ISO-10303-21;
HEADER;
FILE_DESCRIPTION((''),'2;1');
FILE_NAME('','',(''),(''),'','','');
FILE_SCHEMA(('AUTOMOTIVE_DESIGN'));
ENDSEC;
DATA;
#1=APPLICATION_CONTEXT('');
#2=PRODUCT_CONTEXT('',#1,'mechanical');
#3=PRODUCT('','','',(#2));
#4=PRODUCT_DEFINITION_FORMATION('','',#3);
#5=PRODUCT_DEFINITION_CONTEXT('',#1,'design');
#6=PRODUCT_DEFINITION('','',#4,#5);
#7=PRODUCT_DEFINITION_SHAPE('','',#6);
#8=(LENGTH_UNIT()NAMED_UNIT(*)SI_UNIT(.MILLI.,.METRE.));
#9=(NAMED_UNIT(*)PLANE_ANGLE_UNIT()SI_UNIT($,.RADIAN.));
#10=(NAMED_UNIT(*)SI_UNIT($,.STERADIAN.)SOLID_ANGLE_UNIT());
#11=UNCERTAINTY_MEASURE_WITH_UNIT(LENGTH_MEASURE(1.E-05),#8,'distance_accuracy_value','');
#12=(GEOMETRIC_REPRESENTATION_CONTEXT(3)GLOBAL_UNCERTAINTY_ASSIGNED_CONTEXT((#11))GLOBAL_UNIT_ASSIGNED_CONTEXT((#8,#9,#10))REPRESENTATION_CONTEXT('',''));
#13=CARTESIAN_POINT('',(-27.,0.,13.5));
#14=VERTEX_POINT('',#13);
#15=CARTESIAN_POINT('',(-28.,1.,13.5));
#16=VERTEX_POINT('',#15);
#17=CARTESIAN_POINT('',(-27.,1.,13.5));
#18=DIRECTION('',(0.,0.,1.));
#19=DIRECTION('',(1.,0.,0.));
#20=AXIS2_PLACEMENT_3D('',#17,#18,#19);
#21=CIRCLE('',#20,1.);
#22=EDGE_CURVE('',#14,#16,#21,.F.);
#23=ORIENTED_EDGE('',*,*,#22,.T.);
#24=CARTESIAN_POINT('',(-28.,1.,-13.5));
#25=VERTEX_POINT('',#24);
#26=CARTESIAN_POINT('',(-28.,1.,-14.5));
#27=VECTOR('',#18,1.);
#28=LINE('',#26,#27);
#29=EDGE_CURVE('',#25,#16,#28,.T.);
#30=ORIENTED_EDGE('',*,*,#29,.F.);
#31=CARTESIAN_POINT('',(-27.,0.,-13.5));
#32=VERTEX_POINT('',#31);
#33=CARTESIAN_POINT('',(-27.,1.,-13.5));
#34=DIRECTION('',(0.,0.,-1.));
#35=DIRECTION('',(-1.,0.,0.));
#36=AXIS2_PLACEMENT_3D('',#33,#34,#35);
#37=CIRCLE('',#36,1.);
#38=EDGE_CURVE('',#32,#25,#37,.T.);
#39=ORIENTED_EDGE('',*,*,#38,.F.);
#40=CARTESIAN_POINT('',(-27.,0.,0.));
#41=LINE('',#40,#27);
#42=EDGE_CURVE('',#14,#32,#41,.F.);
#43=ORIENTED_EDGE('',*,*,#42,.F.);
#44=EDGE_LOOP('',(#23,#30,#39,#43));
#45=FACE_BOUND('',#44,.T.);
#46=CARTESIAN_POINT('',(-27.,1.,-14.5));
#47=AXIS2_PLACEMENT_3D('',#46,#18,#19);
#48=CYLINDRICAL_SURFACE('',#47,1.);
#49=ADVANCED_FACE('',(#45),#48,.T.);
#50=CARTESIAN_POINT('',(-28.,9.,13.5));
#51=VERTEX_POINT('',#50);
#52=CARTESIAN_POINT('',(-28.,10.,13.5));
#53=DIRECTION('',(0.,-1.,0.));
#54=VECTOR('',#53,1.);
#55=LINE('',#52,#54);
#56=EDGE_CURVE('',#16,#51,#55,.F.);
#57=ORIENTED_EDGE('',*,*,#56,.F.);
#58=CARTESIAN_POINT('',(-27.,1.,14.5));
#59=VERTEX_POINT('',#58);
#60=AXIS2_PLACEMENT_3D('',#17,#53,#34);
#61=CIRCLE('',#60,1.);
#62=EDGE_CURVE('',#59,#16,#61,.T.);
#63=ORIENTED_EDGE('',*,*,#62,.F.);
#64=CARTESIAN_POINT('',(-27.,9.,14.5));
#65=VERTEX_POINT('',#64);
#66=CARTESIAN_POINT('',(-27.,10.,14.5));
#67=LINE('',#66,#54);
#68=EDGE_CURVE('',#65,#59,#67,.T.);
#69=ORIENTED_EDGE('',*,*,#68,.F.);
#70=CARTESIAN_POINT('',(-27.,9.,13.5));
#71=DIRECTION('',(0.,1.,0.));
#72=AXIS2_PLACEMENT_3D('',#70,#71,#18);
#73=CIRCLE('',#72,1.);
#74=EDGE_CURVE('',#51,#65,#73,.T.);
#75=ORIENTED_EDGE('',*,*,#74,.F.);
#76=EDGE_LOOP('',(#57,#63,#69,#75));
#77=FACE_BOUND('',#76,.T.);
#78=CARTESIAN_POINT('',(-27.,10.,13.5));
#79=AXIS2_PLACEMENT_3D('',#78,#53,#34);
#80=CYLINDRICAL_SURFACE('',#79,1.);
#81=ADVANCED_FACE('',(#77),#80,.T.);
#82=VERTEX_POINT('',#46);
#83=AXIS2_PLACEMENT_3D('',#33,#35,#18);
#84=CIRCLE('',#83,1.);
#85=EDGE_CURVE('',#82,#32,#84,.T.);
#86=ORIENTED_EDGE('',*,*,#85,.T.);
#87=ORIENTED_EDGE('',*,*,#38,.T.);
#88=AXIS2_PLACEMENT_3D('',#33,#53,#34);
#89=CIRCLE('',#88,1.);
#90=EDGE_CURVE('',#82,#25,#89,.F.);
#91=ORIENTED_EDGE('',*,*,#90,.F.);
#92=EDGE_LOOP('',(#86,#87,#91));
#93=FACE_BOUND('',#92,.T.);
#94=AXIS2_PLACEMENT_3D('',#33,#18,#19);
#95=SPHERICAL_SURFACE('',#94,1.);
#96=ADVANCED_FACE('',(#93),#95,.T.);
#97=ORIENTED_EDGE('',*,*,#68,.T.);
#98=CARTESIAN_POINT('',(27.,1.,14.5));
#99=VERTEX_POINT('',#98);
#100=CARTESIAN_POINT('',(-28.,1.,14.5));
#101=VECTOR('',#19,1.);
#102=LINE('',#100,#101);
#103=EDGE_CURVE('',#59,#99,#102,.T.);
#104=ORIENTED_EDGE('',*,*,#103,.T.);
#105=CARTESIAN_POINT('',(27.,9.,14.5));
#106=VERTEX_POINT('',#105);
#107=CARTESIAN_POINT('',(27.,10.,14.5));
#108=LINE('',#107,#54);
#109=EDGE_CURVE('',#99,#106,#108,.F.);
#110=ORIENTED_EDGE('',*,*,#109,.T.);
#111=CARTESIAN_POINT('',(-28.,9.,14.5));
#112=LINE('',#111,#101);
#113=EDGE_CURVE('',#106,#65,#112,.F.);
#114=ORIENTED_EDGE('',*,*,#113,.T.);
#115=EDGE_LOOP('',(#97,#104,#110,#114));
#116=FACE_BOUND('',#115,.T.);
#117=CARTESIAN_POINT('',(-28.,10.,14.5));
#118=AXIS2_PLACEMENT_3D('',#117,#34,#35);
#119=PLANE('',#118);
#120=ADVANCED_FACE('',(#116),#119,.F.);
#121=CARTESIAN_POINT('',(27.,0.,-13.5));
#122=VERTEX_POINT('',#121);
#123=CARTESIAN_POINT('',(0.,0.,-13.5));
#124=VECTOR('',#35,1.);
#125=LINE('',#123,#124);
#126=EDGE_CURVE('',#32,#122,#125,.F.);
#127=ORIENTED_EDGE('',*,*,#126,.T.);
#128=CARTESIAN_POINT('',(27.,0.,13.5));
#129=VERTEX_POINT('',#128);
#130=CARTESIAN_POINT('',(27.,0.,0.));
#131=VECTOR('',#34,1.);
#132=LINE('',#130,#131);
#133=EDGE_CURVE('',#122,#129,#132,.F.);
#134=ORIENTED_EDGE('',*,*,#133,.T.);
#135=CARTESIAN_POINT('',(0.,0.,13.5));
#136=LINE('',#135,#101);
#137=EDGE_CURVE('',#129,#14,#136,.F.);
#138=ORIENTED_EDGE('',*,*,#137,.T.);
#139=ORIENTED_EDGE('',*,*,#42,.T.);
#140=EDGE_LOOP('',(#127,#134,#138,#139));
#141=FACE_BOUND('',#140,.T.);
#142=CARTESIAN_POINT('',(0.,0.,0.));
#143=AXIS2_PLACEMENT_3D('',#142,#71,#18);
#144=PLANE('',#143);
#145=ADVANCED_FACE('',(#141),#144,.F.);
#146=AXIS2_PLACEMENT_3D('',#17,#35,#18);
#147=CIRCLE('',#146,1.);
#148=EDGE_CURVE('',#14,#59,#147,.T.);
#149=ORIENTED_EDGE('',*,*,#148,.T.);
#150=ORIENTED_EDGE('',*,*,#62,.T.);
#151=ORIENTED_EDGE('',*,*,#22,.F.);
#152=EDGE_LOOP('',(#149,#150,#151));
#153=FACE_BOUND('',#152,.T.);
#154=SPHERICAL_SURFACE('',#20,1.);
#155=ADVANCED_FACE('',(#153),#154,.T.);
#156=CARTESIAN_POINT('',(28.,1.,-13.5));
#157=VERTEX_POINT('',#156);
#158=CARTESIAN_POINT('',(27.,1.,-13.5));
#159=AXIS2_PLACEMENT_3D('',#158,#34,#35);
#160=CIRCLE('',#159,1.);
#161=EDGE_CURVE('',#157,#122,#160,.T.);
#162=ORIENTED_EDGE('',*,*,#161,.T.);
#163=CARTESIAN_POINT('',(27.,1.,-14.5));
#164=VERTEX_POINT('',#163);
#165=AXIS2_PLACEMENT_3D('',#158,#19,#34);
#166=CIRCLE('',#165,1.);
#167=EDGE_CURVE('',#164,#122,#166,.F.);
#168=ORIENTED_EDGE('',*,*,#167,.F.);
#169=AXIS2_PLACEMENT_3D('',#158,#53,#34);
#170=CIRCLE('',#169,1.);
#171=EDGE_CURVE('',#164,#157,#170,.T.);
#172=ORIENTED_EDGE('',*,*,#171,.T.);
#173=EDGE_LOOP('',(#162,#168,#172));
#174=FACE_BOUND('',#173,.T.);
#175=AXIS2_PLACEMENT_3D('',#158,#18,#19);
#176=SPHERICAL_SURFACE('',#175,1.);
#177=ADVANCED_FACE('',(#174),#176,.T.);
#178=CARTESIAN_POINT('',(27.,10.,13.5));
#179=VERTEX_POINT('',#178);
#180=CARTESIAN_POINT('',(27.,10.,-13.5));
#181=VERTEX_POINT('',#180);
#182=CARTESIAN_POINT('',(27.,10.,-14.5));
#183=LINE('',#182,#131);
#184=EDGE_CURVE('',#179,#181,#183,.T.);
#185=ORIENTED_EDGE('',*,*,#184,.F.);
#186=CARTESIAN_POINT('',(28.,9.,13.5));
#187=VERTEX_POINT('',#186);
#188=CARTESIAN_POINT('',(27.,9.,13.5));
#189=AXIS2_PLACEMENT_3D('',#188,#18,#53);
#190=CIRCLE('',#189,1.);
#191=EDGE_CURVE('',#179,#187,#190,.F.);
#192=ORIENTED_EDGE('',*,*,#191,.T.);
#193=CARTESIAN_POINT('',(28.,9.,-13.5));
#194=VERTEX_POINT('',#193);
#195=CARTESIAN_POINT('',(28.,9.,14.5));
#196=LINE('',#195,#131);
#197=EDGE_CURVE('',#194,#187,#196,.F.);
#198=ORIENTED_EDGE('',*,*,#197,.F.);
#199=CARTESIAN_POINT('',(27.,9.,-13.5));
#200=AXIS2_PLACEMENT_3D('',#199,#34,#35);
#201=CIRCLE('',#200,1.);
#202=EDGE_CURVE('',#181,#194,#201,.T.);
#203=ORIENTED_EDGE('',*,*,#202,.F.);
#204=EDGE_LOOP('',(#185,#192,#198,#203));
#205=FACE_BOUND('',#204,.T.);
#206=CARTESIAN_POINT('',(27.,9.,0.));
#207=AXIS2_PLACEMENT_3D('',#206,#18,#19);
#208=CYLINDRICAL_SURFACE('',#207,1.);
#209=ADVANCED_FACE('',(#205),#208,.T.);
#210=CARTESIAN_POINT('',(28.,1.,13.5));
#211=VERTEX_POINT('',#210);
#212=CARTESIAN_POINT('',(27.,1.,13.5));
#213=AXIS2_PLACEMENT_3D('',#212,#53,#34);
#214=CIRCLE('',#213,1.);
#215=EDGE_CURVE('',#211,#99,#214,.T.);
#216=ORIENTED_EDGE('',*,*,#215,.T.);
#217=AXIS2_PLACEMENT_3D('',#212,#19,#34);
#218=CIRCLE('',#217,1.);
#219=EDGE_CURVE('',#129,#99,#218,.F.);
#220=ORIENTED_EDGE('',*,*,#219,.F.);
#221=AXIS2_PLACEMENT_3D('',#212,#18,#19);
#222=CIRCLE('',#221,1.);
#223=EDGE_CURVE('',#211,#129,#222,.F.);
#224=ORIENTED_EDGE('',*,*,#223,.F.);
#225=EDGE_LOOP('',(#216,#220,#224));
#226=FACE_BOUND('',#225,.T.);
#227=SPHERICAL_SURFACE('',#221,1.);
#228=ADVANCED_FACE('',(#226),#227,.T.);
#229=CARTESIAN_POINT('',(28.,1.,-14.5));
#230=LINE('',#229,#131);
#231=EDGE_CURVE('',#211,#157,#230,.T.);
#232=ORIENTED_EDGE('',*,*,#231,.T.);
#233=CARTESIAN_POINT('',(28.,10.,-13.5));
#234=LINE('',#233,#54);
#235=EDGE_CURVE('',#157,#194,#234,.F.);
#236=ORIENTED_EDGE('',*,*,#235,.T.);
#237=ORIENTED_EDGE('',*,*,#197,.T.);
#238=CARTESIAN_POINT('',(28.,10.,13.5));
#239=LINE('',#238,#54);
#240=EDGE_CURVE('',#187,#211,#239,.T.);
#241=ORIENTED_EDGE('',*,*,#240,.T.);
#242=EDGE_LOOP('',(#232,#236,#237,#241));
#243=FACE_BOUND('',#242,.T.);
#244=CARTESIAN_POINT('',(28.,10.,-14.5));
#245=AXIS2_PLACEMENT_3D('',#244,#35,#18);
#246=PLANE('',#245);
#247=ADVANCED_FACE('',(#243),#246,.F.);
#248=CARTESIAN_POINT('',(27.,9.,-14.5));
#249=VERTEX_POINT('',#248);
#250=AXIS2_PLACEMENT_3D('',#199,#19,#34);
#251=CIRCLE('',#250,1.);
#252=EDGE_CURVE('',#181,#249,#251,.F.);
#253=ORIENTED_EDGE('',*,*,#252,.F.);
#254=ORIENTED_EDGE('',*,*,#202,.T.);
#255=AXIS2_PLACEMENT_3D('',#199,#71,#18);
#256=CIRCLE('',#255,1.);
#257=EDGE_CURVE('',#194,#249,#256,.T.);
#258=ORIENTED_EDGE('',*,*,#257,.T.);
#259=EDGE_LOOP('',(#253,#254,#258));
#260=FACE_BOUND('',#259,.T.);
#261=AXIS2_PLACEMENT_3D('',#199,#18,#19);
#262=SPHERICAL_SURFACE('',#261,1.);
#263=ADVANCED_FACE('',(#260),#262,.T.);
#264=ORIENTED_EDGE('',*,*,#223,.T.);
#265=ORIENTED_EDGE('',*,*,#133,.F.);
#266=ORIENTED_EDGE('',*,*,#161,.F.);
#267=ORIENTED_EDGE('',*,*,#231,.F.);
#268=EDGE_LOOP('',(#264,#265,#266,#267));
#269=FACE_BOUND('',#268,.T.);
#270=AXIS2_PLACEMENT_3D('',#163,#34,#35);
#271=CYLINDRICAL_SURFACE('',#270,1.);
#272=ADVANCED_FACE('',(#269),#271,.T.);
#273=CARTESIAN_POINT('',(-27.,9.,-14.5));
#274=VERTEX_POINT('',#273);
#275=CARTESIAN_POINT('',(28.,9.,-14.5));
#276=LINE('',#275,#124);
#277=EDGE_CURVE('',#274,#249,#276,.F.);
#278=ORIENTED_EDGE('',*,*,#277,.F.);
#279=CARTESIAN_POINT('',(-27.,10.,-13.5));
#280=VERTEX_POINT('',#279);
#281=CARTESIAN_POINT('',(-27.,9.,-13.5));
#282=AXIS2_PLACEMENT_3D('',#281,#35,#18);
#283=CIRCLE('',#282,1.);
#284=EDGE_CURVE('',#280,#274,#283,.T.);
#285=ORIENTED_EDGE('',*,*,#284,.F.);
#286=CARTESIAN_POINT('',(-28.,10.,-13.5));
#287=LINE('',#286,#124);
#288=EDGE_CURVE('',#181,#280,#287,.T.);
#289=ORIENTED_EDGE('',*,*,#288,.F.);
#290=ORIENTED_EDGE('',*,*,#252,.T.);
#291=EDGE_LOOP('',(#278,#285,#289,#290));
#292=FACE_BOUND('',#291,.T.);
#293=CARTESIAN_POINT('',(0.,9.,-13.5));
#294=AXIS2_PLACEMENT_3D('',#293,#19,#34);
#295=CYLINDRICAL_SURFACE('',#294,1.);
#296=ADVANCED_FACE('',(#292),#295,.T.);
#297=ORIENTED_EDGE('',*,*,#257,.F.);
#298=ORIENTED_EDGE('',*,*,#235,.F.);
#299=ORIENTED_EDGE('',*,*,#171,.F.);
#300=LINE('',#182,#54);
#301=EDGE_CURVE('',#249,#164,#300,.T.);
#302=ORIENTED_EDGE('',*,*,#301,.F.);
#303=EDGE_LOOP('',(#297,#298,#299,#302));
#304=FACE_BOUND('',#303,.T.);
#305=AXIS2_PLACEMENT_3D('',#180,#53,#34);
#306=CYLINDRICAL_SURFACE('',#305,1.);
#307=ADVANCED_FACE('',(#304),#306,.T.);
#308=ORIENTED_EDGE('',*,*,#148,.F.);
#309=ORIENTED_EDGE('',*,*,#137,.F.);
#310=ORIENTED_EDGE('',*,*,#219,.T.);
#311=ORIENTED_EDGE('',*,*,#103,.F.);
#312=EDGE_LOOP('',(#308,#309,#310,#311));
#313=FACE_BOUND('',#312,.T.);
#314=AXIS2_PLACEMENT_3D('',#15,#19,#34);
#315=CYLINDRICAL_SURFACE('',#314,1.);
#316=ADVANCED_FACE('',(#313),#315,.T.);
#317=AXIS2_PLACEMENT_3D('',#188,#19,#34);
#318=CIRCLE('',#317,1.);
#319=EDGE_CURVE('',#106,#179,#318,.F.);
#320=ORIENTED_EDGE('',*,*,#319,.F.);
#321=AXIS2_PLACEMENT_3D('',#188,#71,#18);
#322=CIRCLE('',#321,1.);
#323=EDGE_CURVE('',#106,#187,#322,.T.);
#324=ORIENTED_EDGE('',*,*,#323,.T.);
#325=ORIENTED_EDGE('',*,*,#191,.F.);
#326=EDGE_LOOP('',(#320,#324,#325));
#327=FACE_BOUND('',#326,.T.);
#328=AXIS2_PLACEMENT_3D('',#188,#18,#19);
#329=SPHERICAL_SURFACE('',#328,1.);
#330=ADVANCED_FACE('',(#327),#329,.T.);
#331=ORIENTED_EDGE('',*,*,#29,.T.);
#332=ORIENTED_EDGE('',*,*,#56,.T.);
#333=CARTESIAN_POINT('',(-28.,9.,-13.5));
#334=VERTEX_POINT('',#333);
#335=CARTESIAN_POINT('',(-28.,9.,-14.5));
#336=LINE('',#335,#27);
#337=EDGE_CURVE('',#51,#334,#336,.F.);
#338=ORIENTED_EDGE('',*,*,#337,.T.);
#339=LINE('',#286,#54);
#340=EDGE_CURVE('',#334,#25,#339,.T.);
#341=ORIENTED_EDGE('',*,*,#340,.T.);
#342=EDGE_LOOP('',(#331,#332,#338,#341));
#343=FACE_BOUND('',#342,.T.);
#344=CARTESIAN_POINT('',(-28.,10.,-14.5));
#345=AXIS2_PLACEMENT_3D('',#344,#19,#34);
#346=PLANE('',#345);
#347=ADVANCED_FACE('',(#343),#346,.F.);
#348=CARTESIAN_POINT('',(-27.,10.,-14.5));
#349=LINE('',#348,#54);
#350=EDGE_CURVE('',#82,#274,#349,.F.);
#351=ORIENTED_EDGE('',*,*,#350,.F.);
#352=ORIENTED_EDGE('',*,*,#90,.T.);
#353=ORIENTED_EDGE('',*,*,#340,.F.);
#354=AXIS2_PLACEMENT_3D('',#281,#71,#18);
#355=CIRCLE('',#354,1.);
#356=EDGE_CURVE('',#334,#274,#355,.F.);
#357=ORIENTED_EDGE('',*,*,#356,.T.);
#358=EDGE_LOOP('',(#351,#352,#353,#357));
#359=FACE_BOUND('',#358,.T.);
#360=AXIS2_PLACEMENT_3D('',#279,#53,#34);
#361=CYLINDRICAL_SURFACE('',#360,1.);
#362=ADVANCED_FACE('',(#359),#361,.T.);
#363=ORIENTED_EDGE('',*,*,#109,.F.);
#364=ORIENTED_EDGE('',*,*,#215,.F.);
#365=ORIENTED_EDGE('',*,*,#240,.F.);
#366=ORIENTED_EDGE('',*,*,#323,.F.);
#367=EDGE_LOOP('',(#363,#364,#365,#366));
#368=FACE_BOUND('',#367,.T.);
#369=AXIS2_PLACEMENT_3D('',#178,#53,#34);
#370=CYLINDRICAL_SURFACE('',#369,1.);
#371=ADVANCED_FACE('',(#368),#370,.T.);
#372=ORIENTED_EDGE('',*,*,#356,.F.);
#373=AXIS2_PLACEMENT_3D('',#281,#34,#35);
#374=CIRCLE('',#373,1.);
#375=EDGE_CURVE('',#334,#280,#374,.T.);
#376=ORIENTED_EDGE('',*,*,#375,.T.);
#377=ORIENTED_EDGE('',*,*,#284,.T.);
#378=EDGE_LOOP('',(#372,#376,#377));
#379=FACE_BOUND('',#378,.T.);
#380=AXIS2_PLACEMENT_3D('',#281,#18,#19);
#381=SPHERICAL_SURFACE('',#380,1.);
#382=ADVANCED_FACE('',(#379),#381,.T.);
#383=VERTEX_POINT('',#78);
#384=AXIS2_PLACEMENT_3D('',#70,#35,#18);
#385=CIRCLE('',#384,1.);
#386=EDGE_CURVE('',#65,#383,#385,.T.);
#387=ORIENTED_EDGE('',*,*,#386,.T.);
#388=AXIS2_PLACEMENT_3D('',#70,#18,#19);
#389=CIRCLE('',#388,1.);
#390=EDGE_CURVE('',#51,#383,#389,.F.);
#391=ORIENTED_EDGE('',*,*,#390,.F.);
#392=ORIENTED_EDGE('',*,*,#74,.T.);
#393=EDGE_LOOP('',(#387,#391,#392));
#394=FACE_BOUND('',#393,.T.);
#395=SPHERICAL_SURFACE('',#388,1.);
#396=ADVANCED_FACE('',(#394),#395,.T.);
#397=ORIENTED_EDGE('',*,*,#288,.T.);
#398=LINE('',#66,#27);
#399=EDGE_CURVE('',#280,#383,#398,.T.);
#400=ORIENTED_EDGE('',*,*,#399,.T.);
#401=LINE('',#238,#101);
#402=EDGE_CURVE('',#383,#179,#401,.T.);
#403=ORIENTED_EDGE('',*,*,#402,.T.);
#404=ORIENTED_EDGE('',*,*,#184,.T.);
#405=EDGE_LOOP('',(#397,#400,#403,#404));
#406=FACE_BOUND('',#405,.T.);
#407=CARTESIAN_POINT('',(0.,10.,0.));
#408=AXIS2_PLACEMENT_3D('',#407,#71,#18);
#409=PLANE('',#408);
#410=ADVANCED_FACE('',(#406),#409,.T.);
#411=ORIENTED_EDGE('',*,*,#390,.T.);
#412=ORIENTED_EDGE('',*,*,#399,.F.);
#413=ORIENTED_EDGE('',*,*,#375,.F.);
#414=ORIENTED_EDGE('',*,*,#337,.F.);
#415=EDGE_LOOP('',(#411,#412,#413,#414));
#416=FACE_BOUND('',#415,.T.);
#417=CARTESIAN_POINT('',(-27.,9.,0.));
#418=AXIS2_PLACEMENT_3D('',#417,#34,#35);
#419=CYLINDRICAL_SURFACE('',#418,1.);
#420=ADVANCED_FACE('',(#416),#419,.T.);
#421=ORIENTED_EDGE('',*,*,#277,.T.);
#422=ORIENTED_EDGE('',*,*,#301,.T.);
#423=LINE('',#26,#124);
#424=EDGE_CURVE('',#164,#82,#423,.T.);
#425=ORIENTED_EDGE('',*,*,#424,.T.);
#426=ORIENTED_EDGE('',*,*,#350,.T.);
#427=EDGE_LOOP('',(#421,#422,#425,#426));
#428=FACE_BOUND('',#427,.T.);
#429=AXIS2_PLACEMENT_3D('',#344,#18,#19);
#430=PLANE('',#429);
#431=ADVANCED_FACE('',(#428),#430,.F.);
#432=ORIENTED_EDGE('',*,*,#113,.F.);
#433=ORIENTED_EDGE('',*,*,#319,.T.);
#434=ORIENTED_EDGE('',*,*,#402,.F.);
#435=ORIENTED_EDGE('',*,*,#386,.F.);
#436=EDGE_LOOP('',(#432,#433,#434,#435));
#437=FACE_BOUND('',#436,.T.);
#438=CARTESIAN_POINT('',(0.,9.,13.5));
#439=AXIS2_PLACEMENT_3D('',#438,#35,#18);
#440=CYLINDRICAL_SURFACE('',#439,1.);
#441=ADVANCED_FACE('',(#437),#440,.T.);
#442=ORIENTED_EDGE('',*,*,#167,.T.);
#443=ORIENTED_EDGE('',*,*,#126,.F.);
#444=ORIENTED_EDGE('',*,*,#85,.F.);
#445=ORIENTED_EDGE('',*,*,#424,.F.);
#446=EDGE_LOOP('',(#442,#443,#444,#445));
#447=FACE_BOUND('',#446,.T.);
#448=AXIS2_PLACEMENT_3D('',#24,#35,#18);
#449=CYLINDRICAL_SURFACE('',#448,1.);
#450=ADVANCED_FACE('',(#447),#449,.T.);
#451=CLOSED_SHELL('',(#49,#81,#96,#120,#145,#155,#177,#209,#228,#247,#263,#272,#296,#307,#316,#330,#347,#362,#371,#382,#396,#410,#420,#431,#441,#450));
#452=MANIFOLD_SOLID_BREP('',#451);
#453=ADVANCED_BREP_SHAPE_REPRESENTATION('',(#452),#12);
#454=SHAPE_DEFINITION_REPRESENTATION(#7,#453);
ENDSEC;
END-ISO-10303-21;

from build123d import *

# Parameters (mm, degrees)
SKETCH_1_W      = 56
SKETCH_1_H      = 29
EXTRUDE_1_DEPTH = 10
FILLET_1_R      = 1


with BuildPart() as part:
    # 草图1 → 凸台-拉伸1 (new body)
    with BuildSketch(Plane(origin=(0, 0, 0), x_dir=(1, 0, 0), z_dir=(0, 1, 0))):
        Rectangle(SKETCH_1_W, SKETCH_1_H)
    extrude(amount=EXTRUDE_1_DEPTH)

    # 圆角1
    fillet_1_edges = [part.edges().sort_by_distance(p)[0] for p in [
        (-28, 10, 0),
        (0, 10, 14.5),
        (28, 10, 0),
        (0, 0, 14.5),
        (-28, 0, 0),
        (0, 0, -14.5),
        (28, 0, 0),
        (0, 10, -14.5),
        (28, 5, 14.5),
        (-28, 5, 14.5),
        (-28, 5, -14.5),
        (28, 5, -14.5),
    ]]
    fillet(fillet_1_edges, radius=FILLET_1_R)


solid = part.part
